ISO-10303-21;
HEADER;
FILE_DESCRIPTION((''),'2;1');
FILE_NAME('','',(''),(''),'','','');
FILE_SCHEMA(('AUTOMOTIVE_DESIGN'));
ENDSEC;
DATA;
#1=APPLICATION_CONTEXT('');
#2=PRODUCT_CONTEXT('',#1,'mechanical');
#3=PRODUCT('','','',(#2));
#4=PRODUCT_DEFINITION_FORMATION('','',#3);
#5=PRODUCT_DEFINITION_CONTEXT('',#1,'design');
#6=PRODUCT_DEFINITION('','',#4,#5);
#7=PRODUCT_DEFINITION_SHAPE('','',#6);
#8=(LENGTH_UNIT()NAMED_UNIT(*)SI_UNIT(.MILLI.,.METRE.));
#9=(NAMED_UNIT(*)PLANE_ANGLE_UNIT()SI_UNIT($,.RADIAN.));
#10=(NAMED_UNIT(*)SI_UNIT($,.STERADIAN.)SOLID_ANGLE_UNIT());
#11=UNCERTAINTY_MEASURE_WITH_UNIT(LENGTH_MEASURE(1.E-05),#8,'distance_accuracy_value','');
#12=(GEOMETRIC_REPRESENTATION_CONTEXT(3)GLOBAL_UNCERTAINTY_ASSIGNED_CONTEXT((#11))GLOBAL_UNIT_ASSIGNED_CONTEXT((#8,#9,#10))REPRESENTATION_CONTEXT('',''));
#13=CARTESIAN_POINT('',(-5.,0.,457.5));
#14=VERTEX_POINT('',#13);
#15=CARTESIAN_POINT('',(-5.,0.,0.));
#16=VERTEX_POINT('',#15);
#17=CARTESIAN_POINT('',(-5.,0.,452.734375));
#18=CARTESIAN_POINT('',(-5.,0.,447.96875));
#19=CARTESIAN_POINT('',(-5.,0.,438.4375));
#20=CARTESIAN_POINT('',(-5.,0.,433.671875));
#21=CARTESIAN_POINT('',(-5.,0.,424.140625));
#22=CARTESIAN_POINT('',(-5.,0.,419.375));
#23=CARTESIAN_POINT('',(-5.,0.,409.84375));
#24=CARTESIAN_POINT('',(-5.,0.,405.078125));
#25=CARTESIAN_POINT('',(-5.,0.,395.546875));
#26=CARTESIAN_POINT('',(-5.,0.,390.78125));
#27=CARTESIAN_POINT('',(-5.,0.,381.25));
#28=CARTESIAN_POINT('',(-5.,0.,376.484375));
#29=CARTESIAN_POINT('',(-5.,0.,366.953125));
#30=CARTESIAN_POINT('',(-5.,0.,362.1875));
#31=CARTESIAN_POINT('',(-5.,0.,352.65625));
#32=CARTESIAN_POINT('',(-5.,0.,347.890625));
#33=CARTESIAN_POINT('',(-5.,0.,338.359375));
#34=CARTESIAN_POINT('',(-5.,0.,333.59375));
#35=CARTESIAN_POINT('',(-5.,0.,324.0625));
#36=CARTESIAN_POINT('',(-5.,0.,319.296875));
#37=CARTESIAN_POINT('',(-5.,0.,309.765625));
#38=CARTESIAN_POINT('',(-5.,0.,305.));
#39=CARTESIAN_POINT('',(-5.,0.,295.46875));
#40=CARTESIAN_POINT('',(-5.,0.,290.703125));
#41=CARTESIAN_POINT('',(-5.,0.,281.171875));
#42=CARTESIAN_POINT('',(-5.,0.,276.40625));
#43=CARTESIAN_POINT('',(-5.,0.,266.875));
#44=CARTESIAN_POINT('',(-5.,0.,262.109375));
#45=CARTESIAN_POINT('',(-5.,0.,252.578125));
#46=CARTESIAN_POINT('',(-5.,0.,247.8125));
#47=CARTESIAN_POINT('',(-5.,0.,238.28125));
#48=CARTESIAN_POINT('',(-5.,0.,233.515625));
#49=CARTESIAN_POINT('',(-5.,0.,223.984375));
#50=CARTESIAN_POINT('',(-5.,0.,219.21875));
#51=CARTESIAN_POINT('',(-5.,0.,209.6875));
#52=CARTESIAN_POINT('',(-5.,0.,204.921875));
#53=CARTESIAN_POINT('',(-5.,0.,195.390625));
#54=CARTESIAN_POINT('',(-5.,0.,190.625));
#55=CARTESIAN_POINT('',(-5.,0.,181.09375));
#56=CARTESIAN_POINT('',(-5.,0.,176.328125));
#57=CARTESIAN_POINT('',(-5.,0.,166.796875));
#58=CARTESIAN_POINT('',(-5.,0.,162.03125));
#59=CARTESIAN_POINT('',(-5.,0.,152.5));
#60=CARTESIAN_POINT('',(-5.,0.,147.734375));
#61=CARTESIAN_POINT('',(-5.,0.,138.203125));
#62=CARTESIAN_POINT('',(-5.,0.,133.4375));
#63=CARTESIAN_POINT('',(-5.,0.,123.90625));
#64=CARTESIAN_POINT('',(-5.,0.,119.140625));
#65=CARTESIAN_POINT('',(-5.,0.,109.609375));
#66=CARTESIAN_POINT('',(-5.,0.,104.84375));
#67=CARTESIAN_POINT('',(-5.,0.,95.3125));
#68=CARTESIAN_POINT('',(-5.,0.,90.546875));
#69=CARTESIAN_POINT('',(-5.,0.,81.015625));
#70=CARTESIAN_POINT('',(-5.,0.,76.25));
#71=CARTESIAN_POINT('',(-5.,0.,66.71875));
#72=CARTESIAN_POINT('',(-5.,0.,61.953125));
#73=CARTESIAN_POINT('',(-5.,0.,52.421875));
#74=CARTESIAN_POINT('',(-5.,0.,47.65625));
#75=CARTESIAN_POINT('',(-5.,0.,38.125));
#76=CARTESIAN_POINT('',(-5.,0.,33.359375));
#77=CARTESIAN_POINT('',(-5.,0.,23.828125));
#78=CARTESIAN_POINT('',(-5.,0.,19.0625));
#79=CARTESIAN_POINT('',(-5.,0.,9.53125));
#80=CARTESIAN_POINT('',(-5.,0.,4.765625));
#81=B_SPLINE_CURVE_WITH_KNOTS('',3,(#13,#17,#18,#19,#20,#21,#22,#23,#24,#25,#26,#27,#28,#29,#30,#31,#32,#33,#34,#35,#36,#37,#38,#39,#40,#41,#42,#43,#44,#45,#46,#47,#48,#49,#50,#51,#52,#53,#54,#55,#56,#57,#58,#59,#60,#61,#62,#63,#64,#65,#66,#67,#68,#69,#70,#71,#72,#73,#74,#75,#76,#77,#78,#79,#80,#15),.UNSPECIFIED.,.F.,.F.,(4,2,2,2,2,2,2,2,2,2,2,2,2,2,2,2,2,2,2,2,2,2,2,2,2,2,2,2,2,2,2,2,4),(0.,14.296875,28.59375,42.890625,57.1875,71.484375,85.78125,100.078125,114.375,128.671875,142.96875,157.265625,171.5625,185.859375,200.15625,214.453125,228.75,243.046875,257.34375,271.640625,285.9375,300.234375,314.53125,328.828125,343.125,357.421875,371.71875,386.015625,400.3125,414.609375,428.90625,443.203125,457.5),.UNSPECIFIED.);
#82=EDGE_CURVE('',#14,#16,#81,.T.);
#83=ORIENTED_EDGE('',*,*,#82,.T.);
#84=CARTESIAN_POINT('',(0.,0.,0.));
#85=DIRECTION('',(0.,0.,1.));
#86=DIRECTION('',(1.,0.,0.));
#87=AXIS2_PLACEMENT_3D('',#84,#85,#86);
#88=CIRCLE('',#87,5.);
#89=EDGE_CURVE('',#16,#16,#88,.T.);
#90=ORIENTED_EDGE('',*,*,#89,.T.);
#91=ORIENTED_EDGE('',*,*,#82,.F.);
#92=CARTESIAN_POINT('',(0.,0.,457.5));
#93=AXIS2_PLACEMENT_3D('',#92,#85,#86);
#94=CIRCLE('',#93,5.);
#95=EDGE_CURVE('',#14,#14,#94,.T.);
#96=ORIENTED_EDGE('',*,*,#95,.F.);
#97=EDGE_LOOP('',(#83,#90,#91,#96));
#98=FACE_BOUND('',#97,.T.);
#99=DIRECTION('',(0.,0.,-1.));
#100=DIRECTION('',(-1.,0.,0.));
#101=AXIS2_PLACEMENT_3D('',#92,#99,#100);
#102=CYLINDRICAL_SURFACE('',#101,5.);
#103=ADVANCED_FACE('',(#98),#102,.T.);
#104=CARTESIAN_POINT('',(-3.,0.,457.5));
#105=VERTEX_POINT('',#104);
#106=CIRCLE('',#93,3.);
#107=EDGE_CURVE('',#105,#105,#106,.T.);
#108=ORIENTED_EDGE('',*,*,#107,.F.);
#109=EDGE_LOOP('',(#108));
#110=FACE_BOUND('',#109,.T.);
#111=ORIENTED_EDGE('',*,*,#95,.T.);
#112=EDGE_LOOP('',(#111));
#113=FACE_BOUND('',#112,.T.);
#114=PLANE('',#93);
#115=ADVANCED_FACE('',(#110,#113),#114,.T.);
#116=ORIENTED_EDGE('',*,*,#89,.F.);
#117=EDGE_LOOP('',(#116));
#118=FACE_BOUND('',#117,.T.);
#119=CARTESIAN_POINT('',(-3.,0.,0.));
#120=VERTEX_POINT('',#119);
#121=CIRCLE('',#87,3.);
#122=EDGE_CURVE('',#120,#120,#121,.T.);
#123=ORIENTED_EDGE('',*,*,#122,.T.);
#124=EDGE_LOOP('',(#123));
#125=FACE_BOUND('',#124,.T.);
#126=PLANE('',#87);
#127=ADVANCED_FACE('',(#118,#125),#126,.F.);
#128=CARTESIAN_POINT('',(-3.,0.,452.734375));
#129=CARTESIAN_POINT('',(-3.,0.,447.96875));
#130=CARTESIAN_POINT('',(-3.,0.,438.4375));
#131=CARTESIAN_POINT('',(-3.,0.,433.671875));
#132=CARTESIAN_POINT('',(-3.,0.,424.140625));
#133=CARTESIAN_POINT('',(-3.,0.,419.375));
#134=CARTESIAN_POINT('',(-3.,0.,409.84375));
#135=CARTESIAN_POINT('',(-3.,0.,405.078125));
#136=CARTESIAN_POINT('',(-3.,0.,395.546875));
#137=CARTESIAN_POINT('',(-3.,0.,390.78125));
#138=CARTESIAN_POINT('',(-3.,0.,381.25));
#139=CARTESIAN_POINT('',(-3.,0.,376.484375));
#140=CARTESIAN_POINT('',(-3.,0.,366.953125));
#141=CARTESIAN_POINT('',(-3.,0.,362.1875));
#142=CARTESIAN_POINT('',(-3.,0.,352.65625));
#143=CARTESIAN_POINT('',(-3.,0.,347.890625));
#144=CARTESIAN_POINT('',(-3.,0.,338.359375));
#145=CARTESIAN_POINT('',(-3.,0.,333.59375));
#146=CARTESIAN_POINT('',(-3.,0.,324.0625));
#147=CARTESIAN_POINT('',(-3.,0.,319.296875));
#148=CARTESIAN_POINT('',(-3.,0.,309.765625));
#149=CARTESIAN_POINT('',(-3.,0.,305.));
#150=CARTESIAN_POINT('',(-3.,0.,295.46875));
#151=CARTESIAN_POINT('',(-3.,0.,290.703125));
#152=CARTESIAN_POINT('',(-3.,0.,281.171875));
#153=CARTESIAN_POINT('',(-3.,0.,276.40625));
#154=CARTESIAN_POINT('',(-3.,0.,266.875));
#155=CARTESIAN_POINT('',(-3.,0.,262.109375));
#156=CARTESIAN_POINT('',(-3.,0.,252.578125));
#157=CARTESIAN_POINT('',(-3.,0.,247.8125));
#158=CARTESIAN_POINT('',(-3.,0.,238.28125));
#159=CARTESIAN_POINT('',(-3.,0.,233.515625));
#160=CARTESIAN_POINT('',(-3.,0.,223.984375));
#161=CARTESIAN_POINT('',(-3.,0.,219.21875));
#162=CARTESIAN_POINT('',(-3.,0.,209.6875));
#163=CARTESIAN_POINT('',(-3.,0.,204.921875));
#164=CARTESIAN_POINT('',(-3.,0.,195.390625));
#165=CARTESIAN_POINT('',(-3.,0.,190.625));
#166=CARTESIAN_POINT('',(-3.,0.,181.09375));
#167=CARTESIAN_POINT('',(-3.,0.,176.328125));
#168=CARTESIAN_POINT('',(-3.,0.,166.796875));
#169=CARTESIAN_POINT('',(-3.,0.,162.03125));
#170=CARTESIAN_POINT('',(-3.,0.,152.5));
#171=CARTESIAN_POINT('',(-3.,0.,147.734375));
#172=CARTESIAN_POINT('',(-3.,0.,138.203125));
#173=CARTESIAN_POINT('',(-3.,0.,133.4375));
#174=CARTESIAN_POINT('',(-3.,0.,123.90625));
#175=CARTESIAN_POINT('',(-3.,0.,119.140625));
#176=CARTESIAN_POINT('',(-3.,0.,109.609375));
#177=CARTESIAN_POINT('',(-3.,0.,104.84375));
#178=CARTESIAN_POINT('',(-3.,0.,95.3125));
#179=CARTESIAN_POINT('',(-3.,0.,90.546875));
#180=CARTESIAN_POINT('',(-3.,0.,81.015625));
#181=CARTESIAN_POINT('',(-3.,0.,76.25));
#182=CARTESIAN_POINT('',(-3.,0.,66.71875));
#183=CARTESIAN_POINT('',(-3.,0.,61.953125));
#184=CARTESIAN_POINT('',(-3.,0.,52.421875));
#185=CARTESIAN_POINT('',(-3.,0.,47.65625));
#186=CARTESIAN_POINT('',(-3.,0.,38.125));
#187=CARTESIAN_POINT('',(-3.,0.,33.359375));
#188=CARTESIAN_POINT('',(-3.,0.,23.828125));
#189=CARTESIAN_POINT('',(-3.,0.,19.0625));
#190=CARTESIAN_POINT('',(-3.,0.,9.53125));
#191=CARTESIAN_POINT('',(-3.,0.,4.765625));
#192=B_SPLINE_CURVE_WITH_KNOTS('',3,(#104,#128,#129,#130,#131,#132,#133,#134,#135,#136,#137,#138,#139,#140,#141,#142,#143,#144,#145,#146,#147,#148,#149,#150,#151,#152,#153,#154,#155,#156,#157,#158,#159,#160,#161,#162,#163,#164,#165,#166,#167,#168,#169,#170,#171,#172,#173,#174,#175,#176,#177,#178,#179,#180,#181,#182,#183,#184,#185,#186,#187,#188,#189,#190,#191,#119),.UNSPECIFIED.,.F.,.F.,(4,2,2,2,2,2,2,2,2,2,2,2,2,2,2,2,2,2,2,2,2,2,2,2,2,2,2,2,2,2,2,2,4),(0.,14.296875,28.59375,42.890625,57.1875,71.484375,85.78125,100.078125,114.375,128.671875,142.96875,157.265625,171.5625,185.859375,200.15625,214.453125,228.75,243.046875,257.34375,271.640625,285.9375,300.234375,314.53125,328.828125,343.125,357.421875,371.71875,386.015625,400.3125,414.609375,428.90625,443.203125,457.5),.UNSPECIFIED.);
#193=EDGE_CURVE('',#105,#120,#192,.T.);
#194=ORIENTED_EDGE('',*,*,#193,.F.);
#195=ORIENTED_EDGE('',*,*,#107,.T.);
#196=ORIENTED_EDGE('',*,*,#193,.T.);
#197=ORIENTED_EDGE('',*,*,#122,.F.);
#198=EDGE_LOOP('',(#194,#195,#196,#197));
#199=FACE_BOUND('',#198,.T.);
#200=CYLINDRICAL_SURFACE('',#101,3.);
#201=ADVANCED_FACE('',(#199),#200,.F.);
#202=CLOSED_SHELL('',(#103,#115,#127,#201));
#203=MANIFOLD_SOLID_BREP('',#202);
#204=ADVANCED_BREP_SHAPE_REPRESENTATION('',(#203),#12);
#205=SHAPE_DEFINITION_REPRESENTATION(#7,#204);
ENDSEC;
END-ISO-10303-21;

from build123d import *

# Parameters (mm, degrees)
SKETCH_1_R      = 5
SKETCH_1_R_2    = 3
EXTRUDE_1_DEPTH = 457.5


with BuildPart() as part:
    # 草图1 → 凸台-拉伸1 (new body)
    with BuildSketch(Plane.XY):
        with Locations(Location((0, 0, 0), (0, 0, 180))):
            Circle(SKETCH_1_R)
        with Locations(Location((0, 0, 0), (0, 0, 180))):
            Circle(SKETCH_1_R_2, mode=Mode.SUBTRACT)
    extrude(amount=EXTRUDE_1_DEPTH)


solid = part.part
